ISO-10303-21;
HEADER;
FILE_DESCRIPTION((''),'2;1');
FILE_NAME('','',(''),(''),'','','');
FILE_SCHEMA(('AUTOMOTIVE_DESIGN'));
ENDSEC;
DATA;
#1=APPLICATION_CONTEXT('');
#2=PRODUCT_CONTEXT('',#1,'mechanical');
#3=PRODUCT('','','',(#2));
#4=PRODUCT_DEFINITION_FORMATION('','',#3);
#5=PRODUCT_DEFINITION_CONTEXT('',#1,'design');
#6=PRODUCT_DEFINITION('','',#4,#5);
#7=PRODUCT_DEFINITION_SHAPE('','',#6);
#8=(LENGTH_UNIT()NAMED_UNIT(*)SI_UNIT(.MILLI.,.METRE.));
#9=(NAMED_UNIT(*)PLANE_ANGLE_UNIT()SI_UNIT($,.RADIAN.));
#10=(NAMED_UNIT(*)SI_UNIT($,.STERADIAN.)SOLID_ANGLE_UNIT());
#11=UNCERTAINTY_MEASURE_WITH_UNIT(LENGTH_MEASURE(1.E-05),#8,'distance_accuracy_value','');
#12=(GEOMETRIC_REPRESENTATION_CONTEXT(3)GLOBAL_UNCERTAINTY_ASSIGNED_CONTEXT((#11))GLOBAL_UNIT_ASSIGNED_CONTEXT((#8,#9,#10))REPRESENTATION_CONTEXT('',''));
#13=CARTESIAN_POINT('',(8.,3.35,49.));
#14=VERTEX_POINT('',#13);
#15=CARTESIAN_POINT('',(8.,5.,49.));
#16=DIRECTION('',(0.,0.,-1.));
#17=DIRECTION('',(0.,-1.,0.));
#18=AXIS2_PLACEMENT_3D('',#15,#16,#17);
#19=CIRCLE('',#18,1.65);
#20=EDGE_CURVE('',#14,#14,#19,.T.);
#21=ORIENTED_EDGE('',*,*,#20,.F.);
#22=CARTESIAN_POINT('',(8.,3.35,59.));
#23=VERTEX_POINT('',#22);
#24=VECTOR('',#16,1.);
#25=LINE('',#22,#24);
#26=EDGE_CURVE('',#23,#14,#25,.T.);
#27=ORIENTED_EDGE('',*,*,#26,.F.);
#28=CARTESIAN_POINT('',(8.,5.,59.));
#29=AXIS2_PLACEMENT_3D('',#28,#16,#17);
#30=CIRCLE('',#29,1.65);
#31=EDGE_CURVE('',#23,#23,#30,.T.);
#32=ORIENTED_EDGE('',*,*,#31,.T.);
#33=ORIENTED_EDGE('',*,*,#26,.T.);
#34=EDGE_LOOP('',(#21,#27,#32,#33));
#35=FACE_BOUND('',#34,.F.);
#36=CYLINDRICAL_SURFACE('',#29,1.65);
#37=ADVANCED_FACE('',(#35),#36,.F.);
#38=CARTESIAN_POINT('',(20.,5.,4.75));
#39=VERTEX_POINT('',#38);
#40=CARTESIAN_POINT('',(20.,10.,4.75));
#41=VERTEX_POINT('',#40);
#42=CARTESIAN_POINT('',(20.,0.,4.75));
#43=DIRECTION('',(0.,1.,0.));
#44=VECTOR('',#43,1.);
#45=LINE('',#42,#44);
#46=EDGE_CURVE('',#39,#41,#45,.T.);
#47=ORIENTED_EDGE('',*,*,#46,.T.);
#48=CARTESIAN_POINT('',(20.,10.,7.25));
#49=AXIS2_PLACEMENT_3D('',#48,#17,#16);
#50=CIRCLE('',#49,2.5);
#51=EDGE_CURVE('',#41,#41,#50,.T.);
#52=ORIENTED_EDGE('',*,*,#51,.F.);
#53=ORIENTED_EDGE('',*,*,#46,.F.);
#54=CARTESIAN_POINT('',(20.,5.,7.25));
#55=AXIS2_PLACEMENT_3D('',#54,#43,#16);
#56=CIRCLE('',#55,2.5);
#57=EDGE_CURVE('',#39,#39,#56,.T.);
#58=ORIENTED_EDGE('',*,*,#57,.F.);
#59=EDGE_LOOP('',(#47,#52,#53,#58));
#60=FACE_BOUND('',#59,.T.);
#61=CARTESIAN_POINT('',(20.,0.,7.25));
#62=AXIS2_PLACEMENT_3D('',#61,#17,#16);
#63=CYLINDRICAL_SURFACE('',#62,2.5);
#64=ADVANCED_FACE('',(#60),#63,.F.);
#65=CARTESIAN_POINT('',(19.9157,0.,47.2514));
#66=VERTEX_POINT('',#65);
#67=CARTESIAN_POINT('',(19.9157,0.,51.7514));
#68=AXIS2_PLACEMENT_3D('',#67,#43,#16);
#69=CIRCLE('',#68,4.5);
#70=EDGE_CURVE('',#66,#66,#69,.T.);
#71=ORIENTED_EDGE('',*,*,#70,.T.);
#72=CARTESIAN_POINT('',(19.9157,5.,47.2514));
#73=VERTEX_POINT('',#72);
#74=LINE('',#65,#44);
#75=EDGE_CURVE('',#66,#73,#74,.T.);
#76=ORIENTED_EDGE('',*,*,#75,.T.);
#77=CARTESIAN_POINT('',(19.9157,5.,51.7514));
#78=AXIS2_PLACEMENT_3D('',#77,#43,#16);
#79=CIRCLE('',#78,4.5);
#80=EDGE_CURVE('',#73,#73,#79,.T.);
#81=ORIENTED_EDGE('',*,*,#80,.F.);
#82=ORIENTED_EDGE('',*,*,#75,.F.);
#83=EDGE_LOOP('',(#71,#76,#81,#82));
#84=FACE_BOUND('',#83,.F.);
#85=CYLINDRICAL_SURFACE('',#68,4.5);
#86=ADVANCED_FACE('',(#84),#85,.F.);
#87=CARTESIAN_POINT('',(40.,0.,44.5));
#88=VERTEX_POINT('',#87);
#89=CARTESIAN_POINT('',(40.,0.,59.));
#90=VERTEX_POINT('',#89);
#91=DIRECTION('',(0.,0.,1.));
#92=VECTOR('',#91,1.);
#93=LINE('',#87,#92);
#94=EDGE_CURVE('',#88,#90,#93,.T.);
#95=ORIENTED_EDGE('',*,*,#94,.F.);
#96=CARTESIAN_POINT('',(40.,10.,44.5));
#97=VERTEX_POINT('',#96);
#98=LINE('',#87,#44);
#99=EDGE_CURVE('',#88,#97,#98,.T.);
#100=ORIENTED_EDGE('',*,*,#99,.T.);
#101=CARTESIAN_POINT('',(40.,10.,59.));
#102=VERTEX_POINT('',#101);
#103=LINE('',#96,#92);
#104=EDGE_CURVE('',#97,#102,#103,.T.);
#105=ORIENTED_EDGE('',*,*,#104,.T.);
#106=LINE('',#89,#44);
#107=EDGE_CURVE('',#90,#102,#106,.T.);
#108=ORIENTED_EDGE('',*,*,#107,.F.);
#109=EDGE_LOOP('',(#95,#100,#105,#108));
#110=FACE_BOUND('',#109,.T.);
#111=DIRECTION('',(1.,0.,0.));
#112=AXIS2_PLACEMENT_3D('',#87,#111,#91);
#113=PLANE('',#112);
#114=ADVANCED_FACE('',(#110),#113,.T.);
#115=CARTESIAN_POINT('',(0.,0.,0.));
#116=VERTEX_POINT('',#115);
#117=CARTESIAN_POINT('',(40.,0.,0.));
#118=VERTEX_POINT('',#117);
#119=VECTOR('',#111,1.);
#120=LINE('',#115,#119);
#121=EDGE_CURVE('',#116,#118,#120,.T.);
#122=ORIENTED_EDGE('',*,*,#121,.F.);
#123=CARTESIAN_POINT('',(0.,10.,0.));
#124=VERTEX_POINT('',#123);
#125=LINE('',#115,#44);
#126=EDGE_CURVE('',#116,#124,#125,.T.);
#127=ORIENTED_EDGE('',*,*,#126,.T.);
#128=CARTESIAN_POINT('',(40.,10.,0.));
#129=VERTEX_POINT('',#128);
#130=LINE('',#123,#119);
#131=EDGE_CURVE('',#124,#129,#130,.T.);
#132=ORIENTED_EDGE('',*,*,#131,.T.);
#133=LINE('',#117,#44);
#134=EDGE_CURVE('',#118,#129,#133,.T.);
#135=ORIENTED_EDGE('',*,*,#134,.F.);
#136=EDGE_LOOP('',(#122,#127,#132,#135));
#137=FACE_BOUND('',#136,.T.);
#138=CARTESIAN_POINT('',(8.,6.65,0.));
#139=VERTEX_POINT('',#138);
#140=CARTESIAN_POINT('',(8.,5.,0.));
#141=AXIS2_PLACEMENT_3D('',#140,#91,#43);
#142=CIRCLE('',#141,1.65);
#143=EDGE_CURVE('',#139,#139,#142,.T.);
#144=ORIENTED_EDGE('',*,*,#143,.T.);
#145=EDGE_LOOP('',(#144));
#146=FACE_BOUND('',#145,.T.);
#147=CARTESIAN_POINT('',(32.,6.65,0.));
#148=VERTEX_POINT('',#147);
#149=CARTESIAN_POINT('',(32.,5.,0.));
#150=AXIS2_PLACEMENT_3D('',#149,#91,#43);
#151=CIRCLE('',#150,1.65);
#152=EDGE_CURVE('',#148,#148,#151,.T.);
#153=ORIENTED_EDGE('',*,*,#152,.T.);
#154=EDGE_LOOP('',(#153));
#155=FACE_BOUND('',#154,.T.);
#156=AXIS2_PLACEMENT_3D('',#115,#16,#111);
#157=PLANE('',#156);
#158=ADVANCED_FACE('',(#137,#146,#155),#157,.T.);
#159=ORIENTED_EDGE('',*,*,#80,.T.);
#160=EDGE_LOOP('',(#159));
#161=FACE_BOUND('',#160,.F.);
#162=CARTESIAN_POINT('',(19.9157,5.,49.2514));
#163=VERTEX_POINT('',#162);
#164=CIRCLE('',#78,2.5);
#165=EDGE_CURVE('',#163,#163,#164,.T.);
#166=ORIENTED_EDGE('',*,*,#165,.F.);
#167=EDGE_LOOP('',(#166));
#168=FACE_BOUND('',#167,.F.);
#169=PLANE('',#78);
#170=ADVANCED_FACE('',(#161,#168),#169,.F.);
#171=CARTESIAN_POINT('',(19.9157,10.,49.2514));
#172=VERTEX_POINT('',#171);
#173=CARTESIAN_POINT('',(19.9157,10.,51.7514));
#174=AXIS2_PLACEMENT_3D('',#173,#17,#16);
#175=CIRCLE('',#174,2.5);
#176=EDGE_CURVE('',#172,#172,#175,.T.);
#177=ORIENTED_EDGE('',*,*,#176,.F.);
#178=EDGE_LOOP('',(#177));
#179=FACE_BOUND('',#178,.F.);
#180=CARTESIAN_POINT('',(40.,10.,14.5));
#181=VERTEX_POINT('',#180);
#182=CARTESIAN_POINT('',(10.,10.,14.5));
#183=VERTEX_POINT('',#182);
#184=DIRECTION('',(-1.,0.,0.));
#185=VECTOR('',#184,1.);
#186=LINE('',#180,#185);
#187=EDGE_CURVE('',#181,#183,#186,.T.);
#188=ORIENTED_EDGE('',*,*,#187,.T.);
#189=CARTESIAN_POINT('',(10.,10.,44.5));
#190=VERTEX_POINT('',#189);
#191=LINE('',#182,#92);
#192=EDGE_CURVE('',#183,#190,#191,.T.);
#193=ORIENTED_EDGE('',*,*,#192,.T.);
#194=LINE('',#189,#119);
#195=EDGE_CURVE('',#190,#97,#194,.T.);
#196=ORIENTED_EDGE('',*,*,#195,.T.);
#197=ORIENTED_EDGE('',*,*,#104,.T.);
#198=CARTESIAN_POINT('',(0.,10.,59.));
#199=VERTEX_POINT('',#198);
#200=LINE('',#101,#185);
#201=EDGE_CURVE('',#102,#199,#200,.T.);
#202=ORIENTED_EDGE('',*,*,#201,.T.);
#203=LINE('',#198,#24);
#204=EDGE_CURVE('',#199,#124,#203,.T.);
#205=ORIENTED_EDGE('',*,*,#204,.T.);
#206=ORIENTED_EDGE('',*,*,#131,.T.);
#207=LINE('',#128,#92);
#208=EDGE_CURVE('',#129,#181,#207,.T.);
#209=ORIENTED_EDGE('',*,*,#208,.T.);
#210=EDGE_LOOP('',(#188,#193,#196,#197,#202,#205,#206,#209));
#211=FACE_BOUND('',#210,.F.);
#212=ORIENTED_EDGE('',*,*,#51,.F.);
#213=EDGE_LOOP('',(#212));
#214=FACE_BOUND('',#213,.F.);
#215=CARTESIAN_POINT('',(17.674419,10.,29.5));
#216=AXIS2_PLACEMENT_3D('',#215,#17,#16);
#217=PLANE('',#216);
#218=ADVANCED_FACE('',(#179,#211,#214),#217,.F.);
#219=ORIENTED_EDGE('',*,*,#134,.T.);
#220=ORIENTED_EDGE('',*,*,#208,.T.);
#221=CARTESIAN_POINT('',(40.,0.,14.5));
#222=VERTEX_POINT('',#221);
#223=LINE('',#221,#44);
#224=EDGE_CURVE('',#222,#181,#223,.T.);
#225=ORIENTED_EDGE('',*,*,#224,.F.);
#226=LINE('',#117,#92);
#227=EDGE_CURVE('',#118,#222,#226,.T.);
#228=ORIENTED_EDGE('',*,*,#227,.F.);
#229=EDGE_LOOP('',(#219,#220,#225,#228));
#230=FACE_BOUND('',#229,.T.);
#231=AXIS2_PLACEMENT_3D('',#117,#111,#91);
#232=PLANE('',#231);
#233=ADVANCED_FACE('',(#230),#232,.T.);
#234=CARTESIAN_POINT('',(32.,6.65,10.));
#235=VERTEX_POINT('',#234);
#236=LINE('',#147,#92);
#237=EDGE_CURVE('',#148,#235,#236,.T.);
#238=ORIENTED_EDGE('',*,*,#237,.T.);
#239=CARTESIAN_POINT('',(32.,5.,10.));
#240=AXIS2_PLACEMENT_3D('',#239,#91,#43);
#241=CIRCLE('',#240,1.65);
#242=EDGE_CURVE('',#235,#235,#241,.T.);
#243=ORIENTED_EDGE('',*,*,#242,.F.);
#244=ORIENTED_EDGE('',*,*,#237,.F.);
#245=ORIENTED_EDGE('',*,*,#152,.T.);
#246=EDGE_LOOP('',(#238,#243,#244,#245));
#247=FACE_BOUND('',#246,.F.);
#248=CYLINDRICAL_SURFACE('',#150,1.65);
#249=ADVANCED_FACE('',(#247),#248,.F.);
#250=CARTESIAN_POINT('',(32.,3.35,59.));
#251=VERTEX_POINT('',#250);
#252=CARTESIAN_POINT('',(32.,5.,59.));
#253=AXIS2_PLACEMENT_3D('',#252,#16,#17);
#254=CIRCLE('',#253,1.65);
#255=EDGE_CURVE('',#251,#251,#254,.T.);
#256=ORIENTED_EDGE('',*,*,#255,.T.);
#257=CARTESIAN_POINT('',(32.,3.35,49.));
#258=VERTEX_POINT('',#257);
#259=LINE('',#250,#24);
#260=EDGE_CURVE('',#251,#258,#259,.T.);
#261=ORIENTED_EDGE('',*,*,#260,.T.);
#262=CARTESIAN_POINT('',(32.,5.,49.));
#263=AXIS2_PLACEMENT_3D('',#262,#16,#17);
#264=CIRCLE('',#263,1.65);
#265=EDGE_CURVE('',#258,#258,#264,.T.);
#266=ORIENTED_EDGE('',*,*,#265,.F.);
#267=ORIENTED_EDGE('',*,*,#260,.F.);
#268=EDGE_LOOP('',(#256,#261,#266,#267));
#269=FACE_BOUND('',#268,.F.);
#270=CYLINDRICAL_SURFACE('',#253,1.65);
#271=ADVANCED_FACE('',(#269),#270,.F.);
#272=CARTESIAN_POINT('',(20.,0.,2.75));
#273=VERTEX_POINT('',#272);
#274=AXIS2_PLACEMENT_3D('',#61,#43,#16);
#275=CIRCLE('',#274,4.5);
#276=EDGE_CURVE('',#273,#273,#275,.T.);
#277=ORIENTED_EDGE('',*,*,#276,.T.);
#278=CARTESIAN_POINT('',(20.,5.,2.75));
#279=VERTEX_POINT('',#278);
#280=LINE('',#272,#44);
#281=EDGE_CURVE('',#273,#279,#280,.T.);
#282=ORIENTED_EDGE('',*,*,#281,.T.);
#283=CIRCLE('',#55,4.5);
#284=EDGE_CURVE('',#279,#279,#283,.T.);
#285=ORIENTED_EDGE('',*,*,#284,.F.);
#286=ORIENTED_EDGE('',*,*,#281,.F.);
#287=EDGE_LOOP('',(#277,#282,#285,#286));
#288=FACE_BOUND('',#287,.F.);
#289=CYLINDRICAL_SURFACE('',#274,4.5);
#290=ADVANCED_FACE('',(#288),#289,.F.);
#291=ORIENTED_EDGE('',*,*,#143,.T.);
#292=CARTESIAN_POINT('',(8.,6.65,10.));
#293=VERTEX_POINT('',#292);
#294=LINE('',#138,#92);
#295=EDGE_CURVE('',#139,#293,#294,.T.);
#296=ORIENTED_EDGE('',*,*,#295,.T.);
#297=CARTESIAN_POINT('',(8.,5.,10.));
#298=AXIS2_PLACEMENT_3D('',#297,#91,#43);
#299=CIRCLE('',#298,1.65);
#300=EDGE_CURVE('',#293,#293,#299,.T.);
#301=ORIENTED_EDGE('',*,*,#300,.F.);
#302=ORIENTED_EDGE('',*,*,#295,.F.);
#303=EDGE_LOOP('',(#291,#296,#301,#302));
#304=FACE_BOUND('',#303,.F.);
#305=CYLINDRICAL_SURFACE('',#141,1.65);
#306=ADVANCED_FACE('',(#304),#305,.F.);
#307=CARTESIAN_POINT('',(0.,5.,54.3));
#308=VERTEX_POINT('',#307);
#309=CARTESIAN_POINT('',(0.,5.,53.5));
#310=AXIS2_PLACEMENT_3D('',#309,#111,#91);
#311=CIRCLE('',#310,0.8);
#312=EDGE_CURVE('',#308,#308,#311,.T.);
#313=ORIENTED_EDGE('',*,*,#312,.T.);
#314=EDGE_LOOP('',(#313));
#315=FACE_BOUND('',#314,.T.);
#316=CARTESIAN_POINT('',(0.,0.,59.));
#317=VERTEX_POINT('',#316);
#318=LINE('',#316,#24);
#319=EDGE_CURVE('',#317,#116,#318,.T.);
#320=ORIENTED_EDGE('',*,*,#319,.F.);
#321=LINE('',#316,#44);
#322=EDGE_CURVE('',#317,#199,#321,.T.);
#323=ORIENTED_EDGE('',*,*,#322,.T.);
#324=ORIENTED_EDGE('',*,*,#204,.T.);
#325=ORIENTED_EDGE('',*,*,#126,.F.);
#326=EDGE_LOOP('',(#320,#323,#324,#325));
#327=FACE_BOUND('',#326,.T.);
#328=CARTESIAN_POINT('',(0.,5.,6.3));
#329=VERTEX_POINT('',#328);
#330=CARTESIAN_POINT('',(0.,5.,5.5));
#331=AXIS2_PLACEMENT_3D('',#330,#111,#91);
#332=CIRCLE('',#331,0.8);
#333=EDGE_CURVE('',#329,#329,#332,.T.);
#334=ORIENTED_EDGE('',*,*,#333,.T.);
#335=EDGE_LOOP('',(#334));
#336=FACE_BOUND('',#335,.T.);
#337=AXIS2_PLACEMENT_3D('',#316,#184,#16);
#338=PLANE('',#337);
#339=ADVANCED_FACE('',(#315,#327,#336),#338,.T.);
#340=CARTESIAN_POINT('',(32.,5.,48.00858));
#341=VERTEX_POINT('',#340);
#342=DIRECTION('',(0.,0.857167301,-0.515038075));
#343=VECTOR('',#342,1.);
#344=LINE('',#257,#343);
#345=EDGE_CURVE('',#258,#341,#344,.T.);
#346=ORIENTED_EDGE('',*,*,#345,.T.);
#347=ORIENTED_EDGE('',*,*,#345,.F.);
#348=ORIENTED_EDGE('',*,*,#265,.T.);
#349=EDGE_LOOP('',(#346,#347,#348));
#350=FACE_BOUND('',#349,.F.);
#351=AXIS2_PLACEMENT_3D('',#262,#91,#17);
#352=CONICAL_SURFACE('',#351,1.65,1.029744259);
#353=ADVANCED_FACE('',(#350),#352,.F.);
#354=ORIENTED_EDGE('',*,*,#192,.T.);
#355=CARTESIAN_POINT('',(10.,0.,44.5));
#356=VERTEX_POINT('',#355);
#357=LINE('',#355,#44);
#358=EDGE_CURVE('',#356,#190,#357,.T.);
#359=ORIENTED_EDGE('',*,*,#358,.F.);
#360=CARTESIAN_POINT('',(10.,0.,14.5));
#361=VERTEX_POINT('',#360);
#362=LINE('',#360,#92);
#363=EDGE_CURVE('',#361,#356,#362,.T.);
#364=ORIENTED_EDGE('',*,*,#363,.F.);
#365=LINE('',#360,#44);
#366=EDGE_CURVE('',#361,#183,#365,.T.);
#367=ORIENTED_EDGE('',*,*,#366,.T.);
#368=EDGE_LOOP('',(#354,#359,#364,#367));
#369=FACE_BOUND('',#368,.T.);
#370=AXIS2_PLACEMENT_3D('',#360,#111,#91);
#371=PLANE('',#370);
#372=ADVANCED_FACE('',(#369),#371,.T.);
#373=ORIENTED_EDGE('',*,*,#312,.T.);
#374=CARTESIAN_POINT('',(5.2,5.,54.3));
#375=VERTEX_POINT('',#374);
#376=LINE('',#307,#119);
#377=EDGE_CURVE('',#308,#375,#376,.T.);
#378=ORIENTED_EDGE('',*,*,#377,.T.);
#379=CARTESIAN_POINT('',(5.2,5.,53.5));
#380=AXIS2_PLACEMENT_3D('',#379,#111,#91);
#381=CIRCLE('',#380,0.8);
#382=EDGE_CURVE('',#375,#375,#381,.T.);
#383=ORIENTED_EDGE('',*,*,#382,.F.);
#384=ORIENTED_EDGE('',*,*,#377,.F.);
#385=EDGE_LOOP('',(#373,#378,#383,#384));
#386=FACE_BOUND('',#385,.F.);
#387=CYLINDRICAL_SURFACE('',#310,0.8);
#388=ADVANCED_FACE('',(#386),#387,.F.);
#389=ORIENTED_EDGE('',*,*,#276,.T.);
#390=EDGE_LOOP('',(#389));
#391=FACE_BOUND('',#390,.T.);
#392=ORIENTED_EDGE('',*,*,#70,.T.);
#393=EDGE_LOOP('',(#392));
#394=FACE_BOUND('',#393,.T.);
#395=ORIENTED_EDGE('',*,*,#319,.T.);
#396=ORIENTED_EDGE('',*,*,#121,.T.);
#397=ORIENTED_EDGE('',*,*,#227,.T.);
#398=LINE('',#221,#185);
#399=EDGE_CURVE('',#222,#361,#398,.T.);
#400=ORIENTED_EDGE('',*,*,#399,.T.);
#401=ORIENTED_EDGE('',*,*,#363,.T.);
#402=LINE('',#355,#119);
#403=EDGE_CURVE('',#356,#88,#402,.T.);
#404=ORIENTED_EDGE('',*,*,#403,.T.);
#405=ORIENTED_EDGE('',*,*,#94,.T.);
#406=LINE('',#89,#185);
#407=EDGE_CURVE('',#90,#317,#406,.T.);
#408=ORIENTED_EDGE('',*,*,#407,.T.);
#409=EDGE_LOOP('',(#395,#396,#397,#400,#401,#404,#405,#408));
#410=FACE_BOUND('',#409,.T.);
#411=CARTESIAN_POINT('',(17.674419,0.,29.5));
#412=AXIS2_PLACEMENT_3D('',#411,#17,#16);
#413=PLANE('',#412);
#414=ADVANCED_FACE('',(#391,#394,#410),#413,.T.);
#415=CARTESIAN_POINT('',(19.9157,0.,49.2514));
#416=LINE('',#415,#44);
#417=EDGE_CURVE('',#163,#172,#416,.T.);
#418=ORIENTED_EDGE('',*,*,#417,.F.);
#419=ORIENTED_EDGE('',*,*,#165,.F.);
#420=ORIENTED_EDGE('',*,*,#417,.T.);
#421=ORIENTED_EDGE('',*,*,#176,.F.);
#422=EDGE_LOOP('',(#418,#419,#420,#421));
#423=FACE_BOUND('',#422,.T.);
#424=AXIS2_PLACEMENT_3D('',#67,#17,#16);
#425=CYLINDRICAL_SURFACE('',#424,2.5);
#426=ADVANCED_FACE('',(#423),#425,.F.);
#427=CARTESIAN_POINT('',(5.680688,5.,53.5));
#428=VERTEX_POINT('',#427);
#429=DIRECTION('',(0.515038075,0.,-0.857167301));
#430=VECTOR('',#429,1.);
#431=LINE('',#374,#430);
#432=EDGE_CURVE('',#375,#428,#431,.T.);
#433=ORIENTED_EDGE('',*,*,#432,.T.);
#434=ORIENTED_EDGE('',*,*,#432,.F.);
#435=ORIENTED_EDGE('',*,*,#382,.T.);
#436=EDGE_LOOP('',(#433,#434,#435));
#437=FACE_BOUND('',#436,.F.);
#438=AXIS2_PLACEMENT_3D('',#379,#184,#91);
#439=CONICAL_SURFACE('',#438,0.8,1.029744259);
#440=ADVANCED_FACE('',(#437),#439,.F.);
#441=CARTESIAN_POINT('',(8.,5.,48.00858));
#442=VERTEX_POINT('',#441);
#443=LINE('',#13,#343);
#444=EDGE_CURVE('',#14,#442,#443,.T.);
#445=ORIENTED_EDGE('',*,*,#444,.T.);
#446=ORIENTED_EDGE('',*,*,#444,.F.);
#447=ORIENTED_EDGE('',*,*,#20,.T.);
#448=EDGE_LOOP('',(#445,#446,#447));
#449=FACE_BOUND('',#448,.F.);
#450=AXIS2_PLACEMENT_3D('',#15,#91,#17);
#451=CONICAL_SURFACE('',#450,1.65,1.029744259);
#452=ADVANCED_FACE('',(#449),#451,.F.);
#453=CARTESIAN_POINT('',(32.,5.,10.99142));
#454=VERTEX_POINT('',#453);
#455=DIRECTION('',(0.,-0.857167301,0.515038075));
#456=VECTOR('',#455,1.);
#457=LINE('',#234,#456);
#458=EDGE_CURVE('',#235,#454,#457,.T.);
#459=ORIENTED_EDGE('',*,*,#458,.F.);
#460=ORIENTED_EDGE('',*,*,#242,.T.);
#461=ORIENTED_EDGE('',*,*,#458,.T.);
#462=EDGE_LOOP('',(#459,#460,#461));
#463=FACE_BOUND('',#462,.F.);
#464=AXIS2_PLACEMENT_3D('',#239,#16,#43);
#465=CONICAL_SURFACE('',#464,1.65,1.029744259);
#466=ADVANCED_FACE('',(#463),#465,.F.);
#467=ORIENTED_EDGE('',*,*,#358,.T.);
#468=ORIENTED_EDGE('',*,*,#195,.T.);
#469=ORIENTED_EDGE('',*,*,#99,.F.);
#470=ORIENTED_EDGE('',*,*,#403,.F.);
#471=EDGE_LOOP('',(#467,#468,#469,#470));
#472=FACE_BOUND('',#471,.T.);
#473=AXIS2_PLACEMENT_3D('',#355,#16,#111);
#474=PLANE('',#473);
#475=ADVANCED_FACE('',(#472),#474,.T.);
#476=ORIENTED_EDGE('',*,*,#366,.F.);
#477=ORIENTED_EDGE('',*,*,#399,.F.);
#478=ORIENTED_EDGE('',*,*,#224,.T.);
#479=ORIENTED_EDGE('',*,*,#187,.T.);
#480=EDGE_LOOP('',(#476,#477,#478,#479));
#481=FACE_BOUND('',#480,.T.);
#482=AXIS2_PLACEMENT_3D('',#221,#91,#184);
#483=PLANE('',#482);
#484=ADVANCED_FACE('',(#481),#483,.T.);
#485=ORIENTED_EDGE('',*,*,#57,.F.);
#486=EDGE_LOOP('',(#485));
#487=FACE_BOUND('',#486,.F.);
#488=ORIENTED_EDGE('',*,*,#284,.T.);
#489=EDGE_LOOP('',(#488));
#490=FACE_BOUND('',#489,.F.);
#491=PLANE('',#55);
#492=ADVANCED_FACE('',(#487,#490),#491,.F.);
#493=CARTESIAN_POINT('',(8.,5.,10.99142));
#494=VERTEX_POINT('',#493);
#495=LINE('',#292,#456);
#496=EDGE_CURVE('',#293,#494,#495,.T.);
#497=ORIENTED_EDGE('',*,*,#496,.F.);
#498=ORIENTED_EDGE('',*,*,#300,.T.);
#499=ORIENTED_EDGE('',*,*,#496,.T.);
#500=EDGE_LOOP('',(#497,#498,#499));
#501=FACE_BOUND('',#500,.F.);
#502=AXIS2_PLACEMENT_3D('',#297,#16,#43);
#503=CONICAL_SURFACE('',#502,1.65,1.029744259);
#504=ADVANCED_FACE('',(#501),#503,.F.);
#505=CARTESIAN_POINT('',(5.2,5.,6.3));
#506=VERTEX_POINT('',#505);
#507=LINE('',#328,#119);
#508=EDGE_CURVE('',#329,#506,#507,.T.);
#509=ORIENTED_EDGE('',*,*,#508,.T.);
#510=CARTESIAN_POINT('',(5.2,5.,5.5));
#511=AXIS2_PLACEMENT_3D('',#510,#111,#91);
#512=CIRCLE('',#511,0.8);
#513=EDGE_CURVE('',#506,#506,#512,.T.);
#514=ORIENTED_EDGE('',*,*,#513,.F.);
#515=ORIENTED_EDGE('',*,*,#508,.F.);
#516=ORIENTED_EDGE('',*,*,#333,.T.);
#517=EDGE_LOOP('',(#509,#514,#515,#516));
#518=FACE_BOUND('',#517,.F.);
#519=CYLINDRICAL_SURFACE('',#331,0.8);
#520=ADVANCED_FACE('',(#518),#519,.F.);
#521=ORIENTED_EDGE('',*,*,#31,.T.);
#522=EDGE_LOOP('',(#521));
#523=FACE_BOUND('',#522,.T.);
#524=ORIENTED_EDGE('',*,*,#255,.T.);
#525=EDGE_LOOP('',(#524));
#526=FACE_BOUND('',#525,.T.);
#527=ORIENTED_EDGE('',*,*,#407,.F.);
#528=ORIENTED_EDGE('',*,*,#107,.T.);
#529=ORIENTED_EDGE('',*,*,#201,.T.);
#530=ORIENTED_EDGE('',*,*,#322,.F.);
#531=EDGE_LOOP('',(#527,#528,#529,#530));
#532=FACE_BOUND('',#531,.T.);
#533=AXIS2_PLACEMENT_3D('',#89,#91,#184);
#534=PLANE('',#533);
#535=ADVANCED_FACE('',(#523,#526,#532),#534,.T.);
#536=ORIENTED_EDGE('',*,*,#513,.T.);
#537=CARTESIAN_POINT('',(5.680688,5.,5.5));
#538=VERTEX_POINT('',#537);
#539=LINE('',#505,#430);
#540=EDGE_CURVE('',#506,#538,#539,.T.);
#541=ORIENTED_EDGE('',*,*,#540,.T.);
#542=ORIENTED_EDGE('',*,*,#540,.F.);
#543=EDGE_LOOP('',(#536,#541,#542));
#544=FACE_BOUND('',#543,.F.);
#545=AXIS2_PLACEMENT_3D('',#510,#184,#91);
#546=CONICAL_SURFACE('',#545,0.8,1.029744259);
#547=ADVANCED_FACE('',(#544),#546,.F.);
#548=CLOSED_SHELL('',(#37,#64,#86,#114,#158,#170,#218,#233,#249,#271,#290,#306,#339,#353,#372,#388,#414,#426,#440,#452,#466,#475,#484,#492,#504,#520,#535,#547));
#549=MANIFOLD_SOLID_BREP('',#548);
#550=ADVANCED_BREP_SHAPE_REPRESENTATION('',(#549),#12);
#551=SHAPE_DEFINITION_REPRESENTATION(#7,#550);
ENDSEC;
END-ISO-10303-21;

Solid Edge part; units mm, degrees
sketch "Sketch1" plane through (0, 0, 0) normal (0, -1, 0) x (1, 0, 0)
  line L0 (40, 59) -> (0, 59)
  line L1 (0, 59) -> (0, 0)
  line L2 (0, 0) -> (40, 0)
  line L3 (40, 0) -> (40, 14.5)
  line L4 (40, 14.5) -> (10, 14.5)
  line L5 (10, 14.5) -> (10, 44.5)
  line L6 (10, 44.5) -> (40, 44.5)
  line L7 (40, 44.5) -> (40, 59)
extrude "Protrusion1" add sketch "Sketch1" against normal blind 10
hole "Furo_1" at (19.9157, 0, 51.7514) direction (0, 1, 0) diameter 5 end up to next counterbore diameter 9 counterbore depth 5
hole "Hole1" at (20, 0, 7.25) direction (0, 1, 0) diameter 5 end up to next counterbore diameter 9 counterbore depth 5
hole "Furo_3" at (8, 5, 0) direction (0, 0, 1) diameter 3.3 depth 10 tip angle 118
hole "Furo_4" at (32, 5, 0) direction (0, 0, 1) diameter 3.3 depth 10 tip angle 118
hole "Furo_5" at (32, 5, 59) direction (0, 0, -1) diameter 3.3 depth 10 tip angle 118
hole "Hole2" at (8, 5, 59) direction (0, 0, -1) diameter 3.3 depth 10 tip angle 118
hole "Furo_7" at (0, 5, 53.5) direction (1, 0, 0) diameter 1.6 depth 5.2 tip angle 118
hole "Hole3" at (0, 5, 5.5) direction (1, 0, 0) diameter 1.6 depth 5.2 tip angle 118
